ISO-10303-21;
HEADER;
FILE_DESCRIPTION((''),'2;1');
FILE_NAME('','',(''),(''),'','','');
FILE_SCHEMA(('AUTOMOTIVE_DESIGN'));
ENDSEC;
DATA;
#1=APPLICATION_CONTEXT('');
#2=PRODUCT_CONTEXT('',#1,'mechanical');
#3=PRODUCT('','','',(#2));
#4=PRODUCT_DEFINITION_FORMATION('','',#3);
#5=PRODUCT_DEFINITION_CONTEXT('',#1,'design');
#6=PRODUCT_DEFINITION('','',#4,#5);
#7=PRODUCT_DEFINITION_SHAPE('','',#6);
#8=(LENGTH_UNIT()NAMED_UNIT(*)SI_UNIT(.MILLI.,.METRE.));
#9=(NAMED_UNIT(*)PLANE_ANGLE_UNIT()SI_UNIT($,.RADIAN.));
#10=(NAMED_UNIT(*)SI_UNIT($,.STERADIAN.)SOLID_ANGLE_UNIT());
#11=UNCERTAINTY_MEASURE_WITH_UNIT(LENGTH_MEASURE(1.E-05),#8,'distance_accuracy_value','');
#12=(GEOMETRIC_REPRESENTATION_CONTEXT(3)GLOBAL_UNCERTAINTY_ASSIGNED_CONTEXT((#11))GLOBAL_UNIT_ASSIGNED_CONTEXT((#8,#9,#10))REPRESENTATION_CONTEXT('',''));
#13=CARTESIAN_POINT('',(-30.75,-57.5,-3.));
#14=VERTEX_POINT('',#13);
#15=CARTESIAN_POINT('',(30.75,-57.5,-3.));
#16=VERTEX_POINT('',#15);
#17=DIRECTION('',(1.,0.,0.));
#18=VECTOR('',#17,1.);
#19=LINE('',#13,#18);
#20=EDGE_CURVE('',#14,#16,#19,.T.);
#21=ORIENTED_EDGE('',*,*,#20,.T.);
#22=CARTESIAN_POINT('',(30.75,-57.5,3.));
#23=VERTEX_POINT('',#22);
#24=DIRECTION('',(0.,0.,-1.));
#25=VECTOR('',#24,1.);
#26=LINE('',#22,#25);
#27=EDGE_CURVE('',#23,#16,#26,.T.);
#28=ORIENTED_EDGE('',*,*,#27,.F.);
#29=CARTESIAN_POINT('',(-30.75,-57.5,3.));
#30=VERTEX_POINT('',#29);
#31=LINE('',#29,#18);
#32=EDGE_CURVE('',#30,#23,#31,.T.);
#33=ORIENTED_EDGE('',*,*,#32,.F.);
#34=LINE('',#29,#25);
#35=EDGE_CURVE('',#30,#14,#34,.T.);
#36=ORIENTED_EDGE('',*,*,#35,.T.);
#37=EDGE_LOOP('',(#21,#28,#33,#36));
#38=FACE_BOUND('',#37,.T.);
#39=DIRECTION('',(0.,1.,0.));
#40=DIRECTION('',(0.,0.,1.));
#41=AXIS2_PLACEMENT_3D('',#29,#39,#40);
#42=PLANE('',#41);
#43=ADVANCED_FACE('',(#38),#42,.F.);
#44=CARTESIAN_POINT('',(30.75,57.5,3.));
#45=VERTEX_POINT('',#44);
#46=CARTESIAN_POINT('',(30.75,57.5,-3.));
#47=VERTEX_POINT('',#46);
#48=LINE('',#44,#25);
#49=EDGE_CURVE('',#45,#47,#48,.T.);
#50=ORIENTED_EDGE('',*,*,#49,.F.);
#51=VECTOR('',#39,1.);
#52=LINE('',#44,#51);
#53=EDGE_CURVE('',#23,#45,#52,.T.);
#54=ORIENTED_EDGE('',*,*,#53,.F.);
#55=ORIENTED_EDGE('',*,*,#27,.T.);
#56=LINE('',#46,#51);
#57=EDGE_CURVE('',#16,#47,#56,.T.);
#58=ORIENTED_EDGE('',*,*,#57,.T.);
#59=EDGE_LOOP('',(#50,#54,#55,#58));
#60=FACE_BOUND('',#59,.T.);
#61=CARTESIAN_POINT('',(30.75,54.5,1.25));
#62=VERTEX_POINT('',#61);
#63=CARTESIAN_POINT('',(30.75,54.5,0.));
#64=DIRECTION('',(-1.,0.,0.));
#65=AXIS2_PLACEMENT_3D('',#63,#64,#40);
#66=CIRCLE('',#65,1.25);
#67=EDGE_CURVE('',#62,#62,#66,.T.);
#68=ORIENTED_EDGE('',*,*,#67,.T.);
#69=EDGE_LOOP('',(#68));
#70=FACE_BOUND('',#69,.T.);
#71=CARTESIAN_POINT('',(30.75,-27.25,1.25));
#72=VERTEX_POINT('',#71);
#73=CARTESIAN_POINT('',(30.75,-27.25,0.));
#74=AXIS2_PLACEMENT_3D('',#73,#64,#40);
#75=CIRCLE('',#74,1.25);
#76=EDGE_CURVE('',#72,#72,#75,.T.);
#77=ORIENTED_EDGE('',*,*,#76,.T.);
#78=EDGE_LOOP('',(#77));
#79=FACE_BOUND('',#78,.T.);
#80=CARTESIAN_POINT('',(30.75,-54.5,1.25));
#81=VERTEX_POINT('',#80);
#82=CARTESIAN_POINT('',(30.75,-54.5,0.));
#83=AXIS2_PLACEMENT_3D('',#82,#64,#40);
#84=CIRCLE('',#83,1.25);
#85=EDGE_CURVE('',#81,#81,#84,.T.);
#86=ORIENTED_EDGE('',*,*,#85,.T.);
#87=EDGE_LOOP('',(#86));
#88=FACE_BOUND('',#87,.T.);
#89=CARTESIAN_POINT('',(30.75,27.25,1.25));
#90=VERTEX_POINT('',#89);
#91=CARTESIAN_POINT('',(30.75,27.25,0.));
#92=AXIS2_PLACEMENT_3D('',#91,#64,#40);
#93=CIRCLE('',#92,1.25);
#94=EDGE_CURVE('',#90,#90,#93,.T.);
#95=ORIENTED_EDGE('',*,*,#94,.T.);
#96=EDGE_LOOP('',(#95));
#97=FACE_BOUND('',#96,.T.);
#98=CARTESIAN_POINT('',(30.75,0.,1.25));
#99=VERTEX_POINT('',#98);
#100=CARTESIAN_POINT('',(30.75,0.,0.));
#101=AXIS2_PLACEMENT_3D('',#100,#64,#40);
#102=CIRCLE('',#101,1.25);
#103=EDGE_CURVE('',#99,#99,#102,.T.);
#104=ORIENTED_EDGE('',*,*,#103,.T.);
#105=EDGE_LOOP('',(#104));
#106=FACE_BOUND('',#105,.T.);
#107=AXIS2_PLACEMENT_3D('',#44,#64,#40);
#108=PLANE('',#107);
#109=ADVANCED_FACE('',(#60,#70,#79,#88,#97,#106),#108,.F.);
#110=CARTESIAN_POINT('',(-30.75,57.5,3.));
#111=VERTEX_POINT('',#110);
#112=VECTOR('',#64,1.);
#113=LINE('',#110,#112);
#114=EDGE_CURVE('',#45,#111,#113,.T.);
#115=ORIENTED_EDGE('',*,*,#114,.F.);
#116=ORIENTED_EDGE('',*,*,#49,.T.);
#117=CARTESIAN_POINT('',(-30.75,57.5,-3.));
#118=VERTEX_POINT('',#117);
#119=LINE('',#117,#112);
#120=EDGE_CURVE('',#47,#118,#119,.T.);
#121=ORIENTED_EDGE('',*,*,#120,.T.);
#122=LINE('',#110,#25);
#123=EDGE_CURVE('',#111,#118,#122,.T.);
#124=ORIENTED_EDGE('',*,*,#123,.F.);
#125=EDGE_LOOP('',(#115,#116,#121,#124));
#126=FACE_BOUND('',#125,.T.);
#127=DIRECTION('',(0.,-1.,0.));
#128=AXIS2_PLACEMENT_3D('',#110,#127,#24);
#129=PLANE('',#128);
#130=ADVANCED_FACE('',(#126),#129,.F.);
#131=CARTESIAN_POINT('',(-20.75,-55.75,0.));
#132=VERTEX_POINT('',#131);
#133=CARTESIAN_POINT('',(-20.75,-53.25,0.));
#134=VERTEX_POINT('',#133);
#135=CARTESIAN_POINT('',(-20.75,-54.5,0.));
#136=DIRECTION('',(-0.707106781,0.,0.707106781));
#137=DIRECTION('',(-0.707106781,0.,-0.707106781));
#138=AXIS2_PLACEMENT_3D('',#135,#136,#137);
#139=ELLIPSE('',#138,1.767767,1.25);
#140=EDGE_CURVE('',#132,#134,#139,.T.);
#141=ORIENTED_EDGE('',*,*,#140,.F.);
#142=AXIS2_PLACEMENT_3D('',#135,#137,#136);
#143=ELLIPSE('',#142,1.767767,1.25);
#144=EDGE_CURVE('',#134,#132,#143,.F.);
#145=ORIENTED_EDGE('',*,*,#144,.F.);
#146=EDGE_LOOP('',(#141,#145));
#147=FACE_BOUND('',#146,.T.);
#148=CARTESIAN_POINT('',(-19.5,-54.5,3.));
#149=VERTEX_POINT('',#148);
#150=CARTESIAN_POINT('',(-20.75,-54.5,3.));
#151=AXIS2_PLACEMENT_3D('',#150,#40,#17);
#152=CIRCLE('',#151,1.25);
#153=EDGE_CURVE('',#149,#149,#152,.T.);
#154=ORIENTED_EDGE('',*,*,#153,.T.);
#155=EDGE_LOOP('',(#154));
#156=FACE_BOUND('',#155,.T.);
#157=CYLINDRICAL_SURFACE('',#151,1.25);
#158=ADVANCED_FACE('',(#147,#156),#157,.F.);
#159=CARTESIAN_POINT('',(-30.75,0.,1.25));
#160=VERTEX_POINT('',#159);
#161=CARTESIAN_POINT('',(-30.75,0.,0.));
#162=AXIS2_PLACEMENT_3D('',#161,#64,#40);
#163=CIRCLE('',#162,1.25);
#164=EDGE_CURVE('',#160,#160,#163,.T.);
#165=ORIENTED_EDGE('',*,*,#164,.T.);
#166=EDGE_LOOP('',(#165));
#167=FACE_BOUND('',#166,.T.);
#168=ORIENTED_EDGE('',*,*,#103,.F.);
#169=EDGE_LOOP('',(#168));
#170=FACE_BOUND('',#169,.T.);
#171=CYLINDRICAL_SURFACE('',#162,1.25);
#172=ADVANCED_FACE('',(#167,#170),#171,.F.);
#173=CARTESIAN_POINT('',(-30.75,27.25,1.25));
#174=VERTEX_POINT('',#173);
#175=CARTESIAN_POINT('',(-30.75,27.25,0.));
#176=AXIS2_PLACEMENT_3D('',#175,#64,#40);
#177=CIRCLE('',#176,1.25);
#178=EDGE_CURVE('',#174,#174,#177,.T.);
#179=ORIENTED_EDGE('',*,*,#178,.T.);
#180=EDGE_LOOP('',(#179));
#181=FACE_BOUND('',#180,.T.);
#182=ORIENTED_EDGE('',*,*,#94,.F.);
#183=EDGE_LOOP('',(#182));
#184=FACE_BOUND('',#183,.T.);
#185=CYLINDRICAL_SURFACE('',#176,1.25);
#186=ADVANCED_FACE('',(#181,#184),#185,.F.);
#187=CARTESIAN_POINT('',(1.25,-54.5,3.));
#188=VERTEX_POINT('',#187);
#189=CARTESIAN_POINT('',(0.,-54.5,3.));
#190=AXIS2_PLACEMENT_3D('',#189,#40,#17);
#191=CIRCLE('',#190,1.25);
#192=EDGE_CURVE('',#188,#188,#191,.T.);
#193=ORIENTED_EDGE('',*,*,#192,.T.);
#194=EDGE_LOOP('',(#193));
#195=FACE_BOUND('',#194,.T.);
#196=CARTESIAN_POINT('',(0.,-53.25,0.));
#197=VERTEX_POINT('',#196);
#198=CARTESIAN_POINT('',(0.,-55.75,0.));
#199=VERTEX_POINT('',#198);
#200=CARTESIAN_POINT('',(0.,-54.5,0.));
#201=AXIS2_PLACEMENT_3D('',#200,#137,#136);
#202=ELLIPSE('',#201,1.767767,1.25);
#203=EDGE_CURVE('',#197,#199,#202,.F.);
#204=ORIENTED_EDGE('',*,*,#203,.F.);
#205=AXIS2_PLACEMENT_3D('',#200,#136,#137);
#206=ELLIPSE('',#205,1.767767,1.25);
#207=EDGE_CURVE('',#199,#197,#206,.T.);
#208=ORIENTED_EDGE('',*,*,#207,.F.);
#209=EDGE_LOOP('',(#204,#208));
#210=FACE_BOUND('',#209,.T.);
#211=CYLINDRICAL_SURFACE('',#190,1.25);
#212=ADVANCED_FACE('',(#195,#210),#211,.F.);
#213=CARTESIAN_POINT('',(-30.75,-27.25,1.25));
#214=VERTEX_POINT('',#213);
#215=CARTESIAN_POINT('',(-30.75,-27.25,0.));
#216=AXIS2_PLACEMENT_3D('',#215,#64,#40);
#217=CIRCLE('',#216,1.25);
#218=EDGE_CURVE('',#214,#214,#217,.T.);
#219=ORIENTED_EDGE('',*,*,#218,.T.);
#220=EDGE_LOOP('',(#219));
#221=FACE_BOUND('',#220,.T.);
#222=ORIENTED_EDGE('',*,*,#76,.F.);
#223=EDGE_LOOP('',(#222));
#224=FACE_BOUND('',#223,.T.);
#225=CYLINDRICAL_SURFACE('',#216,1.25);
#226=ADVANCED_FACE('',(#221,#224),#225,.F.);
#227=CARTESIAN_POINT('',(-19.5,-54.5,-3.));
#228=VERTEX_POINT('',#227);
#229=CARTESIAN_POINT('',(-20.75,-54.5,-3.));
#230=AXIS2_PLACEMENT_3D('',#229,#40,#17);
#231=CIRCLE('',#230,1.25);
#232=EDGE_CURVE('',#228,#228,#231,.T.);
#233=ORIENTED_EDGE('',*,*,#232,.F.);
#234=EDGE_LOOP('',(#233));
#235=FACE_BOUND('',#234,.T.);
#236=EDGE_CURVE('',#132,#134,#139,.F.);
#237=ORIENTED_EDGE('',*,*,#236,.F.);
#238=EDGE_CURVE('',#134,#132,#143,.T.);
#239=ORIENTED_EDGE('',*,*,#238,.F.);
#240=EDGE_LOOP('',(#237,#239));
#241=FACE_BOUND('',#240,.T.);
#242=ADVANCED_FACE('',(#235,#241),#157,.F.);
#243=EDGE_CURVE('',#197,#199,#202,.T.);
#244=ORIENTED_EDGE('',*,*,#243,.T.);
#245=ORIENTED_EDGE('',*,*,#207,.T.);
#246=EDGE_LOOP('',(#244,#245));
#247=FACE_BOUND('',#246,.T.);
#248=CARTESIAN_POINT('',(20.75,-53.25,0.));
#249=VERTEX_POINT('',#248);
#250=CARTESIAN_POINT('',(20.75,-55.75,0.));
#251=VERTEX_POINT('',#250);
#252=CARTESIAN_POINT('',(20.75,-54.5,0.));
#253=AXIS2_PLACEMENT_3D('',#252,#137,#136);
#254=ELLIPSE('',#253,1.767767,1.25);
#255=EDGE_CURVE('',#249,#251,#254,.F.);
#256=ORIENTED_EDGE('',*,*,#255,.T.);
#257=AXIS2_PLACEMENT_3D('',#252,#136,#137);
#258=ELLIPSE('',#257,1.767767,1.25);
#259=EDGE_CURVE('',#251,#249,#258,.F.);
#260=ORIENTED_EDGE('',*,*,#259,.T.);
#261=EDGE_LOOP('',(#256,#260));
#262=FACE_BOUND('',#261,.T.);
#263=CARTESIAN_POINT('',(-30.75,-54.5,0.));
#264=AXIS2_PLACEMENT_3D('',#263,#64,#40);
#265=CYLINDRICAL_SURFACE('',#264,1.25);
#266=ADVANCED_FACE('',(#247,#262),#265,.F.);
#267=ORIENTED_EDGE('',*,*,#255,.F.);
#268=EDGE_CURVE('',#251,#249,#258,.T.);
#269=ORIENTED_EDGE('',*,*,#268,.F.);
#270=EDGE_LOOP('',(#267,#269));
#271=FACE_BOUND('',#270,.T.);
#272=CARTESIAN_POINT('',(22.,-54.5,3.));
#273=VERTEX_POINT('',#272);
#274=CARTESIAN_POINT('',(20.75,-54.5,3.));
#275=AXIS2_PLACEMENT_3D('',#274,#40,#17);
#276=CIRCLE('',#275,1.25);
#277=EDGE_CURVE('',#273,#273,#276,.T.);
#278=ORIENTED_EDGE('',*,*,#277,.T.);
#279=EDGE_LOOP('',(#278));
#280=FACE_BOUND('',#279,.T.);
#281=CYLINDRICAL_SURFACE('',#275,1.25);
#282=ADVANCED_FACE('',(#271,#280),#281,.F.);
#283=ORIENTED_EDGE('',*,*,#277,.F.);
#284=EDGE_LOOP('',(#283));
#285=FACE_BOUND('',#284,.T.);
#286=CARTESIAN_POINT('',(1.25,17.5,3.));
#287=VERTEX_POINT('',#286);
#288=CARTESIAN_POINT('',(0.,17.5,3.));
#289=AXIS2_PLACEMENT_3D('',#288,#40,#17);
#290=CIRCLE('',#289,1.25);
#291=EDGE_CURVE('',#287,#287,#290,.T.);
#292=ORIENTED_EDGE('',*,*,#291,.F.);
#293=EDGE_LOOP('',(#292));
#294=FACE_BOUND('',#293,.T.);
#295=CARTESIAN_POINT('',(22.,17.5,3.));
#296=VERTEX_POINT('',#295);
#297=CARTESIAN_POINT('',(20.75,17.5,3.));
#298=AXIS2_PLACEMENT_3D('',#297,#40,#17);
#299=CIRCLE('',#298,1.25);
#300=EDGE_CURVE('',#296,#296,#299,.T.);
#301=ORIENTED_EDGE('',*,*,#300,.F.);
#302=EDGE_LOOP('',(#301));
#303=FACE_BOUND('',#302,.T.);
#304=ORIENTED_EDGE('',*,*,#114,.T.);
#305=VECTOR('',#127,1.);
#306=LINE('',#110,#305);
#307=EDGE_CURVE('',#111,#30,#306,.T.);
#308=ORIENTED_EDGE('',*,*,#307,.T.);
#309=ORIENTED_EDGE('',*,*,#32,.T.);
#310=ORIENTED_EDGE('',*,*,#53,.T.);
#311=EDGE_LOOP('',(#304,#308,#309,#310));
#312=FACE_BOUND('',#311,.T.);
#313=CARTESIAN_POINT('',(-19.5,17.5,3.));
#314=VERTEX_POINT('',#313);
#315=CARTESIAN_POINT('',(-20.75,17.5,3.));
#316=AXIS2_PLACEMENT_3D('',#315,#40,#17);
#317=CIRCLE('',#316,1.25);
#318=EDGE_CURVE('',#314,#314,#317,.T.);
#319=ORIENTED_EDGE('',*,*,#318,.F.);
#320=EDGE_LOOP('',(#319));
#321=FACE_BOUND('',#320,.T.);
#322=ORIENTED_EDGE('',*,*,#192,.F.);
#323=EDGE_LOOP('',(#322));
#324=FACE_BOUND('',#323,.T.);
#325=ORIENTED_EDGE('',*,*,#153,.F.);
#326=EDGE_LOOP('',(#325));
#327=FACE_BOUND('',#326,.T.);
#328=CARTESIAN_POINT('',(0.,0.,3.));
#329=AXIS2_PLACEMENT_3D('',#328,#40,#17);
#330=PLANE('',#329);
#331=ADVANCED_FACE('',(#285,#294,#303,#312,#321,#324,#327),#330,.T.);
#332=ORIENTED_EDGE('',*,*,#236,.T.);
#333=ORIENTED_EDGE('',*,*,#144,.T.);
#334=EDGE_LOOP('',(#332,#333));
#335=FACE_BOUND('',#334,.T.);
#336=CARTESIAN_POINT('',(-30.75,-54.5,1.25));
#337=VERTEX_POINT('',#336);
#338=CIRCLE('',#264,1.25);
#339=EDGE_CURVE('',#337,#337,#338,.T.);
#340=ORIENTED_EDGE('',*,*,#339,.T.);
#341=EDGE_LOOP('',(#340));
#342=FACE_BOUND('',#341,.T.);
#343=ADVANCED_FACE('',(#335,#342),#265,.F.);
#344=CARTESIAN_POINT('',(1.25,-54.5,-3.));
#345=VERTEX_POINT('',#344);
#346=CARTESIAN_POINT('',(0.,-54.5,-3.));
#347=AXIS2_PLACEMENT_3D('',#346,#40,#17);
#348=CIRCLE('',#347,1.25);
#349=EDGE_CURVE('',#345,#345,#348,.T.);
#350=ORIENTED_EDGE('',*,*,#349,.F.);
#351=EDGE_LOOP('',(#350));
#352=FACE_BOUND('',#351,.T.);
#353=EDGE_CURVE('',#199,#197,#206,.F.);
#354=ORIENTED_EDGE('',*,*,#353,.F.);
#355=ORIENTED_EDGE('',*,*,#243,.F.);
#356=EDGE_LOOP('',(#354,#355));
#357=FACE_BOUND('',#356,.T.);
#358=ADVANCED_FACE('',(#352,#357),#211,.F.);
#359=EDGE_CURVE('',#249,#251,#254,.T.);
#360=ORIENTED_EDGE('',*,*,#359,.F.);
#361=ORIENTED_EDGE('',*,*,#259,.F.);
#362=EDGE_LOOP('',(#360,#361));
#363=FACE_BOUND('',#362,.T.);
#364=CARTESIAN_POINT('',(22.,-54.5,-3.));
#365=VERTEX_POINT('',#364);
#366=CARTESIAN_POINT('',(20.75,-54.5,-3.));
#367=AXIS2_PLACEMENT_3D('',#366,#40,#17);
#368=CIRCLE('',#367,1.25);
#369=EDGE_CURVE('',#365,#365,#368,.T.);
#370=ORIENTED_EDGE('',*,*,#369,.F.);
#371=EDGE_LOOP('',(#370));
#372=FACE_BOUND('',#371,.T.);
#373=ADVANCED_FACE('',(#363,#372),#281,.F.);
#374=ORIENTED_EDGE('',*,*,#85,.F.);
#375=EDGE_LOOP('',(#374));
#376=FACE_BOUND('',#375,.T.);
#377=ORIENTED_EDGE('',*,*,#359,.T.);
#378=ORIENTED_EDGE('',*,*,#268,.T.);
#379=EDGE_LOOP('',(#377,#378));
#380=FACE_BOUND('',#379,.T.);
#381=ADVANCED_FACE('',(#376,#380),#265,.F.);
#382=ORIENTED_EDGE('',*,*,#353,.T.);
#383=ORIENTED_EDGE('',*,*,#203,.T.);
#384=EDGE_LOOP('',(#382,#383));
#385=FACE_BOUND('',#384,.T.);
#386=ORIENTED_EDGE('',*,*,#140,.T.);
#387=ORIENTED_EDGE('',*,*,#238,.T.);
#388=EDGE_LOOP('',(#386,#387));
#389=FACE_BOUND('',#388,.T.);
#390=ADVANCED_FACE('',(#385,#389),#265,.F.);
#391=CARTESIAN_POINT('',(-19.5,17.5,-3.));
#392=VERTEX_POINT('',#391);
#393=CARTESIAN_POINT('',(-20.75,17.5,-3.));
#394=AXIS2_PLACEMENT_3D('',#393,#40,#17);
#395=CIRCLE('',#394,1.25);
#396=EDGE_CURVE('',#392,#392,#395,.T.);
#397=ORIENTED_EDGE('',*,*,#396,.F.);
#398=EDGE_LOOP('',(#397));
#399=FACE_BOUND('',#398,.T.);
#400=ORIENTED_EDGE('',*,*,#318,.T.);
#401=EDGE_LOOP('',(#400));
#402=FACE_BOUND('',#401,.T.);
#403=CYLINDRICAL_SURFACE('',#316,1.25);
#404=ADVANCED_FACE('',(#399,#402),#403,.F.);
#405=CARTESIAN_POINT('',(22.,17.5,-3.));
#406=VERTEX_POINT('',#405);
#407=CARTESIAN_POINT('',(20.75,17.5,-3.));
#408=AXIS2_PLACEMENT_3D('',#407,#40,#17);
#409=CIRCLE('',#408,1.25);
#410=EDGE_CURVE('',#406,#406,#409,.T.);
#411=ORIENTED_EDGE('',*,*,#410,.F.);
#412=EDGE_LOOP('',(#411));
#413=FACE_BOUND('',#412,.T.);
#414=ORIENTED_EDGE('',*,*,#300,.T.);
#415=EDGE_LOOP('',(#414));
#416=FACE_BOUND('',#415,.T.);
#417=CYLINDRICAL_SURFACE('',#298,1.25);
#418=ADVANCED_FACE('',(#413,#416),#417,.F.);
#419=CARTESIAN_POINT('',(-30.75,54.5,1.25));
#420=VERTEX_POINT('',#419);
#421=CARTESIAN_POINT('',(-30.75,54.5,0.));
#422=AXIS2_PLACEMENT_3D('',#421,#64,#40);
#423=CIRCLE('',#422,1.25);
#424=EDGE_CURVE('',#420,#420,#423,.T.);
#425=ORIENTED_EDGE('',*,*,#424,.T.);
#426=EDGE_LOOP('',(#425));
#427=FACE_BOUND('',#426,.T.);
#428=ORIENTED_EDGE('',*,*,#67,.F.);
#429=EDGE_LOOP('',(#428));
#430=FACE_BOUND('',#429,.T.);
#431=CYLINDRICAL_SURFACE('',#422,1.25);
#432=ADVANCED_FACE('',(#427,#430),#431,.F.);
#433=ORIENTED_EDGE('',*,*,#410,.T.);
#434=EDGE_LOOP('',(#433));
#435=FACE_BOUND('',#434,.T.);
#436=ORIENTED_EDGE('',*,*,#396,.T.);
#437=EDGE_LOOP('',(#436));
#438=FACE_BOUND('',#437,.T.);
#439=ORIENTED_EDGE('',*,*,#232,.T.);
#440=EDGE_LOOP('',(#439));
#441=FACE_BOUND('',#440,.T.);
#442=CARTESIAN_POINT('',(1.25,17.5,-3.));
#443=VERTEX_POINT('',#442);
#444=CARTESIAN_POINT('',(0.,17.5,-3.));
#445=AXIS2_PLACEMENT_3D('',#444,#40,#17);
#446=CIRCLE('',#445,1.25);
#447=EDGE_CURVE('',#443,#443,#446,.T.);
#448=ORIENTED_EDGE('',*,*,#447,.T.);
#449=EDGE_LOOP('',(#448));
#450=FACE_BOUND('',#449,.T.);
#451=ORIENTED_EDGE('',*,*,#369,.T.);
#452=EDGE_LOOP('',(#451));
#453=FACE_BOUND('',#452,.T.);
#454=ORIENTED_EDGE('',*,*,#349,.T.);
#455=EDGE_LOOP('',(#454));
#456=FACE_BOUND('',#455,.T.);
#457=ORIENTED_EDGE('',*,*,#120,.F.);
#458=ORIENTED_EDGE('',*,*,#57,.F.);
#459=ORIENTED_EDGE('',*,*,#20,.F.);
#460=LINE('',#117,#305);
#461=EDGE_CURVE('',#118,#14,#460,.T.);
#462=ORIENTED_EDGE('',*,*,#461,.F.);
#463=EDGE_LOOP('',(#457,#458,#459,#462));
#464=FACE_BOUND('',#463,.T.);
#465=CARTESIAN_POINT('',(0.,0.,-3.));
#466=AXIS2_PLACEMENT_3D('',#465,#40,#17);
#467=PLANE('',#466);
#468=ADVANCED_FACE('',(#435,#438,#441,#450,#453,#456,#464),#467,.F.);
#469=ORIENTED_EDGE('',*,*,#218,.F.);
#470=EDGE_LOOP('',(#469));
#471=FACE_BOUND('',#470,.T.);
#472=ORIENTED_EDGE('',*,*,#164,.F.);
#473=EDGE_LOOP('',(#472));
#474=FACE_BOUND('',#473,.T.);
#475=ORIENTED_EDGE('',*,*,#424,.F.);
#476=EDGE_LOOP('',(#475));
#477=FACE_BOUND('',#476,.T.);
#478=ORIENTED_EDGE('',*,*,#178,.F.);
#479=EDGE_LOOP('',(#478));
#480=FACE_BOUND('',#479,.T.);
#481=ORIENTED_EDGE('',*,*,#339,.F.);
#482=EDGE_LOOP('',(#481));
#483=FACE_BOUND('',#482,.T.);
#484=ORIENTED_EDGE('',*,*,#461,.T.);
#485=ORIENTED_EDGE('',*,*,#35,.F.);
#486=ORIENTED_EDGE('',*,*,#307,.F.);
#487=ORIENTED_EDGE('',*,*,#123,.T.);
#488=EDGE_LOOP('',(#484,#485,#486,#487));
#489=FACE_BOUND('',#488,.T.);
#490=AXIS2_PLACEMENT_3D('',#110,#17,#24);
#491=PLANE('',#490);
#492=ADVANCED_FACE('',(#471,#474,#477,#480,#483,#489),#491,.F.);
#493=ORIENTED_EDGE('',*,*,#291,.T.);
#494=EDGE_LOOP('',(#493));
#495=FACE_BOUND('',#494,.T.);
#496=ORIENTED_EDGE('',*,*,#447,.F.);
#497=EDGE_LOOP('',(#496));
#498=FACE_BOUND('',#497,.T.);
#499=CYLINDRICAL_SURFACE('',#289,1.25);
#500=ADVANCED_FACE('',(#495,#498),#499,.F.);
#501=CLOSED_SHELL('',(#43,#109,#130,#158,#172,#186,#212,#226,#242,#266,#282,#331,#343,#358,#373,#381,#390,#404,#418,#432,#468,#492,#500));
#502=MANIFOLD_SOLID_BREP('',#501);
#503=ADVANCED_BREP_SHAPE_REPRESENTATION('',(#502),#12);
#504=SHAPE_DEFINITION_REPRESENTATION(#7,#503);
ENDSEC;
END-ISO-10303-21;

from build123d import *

# Parameters (mm, degrees)
SKETCH_1_W           = 61.5
SKETCH_1_H           = 115
EXTRUDE_1_DEPTH      = 3
M3X0_5_1_D           = 2.5
M3X0_5_1_ON_FACE_2_D = 2.5
M3X0_5_1_ON_FACE_3_D = 2.5


with BuildPart() as part:
    # ｽｹｯﾁ1 → ﾎﾞｽ - 押し出し1 (new, symmetric)
    with BuildSketch(Plane.XY):
        Rectangle(SKETCH_1_W, SKETCH_1_H)
    extrude(amount=EXTRUDE_1_DEPTH, both=True)

    # M3x0.5 ねじ穴1 (through all)
    with Locations(Plane(origin=(-20.75, 17.5, 3), x_dir=(1, 0, 0), z_dir=(0, 0, 1))):
        with Locations((0, 0), (20.75, 0), (41.5, 0), (41.5, -72), (20.75, -72), (0, -72)):
            Hole(M3X0_5_1_D / 2)

    # M3x0.5 ねじ穴1 on face 2 (through all)
    with Locations(Plane(origin=(30.75, 54.5, 0), x_dir=(0, 0, 1), z_dir=(1, 0, 0))):
        with Locations((0, 0), (0, 27.25), (0, 54.5), (0, 81.75), (0, 109)):
            Hole(M3X0_5_1_ON_FACE_2_D / 2)

    # M3x0.5 ねじ穴1 on face 3 (through all)
    with Locations(Plane(origin=(-30.75, -54.5, 0), x_dir=(0, 0, -1), z_dir=(-1, 0, 0))):
        with Locations((0, 0), (0, -27.25), (0, -54.5), (0, -81.75), (0, -109)):
            Hole(M3X0_5_1_ON_FACE_3_D / 2)


solid = part.part
